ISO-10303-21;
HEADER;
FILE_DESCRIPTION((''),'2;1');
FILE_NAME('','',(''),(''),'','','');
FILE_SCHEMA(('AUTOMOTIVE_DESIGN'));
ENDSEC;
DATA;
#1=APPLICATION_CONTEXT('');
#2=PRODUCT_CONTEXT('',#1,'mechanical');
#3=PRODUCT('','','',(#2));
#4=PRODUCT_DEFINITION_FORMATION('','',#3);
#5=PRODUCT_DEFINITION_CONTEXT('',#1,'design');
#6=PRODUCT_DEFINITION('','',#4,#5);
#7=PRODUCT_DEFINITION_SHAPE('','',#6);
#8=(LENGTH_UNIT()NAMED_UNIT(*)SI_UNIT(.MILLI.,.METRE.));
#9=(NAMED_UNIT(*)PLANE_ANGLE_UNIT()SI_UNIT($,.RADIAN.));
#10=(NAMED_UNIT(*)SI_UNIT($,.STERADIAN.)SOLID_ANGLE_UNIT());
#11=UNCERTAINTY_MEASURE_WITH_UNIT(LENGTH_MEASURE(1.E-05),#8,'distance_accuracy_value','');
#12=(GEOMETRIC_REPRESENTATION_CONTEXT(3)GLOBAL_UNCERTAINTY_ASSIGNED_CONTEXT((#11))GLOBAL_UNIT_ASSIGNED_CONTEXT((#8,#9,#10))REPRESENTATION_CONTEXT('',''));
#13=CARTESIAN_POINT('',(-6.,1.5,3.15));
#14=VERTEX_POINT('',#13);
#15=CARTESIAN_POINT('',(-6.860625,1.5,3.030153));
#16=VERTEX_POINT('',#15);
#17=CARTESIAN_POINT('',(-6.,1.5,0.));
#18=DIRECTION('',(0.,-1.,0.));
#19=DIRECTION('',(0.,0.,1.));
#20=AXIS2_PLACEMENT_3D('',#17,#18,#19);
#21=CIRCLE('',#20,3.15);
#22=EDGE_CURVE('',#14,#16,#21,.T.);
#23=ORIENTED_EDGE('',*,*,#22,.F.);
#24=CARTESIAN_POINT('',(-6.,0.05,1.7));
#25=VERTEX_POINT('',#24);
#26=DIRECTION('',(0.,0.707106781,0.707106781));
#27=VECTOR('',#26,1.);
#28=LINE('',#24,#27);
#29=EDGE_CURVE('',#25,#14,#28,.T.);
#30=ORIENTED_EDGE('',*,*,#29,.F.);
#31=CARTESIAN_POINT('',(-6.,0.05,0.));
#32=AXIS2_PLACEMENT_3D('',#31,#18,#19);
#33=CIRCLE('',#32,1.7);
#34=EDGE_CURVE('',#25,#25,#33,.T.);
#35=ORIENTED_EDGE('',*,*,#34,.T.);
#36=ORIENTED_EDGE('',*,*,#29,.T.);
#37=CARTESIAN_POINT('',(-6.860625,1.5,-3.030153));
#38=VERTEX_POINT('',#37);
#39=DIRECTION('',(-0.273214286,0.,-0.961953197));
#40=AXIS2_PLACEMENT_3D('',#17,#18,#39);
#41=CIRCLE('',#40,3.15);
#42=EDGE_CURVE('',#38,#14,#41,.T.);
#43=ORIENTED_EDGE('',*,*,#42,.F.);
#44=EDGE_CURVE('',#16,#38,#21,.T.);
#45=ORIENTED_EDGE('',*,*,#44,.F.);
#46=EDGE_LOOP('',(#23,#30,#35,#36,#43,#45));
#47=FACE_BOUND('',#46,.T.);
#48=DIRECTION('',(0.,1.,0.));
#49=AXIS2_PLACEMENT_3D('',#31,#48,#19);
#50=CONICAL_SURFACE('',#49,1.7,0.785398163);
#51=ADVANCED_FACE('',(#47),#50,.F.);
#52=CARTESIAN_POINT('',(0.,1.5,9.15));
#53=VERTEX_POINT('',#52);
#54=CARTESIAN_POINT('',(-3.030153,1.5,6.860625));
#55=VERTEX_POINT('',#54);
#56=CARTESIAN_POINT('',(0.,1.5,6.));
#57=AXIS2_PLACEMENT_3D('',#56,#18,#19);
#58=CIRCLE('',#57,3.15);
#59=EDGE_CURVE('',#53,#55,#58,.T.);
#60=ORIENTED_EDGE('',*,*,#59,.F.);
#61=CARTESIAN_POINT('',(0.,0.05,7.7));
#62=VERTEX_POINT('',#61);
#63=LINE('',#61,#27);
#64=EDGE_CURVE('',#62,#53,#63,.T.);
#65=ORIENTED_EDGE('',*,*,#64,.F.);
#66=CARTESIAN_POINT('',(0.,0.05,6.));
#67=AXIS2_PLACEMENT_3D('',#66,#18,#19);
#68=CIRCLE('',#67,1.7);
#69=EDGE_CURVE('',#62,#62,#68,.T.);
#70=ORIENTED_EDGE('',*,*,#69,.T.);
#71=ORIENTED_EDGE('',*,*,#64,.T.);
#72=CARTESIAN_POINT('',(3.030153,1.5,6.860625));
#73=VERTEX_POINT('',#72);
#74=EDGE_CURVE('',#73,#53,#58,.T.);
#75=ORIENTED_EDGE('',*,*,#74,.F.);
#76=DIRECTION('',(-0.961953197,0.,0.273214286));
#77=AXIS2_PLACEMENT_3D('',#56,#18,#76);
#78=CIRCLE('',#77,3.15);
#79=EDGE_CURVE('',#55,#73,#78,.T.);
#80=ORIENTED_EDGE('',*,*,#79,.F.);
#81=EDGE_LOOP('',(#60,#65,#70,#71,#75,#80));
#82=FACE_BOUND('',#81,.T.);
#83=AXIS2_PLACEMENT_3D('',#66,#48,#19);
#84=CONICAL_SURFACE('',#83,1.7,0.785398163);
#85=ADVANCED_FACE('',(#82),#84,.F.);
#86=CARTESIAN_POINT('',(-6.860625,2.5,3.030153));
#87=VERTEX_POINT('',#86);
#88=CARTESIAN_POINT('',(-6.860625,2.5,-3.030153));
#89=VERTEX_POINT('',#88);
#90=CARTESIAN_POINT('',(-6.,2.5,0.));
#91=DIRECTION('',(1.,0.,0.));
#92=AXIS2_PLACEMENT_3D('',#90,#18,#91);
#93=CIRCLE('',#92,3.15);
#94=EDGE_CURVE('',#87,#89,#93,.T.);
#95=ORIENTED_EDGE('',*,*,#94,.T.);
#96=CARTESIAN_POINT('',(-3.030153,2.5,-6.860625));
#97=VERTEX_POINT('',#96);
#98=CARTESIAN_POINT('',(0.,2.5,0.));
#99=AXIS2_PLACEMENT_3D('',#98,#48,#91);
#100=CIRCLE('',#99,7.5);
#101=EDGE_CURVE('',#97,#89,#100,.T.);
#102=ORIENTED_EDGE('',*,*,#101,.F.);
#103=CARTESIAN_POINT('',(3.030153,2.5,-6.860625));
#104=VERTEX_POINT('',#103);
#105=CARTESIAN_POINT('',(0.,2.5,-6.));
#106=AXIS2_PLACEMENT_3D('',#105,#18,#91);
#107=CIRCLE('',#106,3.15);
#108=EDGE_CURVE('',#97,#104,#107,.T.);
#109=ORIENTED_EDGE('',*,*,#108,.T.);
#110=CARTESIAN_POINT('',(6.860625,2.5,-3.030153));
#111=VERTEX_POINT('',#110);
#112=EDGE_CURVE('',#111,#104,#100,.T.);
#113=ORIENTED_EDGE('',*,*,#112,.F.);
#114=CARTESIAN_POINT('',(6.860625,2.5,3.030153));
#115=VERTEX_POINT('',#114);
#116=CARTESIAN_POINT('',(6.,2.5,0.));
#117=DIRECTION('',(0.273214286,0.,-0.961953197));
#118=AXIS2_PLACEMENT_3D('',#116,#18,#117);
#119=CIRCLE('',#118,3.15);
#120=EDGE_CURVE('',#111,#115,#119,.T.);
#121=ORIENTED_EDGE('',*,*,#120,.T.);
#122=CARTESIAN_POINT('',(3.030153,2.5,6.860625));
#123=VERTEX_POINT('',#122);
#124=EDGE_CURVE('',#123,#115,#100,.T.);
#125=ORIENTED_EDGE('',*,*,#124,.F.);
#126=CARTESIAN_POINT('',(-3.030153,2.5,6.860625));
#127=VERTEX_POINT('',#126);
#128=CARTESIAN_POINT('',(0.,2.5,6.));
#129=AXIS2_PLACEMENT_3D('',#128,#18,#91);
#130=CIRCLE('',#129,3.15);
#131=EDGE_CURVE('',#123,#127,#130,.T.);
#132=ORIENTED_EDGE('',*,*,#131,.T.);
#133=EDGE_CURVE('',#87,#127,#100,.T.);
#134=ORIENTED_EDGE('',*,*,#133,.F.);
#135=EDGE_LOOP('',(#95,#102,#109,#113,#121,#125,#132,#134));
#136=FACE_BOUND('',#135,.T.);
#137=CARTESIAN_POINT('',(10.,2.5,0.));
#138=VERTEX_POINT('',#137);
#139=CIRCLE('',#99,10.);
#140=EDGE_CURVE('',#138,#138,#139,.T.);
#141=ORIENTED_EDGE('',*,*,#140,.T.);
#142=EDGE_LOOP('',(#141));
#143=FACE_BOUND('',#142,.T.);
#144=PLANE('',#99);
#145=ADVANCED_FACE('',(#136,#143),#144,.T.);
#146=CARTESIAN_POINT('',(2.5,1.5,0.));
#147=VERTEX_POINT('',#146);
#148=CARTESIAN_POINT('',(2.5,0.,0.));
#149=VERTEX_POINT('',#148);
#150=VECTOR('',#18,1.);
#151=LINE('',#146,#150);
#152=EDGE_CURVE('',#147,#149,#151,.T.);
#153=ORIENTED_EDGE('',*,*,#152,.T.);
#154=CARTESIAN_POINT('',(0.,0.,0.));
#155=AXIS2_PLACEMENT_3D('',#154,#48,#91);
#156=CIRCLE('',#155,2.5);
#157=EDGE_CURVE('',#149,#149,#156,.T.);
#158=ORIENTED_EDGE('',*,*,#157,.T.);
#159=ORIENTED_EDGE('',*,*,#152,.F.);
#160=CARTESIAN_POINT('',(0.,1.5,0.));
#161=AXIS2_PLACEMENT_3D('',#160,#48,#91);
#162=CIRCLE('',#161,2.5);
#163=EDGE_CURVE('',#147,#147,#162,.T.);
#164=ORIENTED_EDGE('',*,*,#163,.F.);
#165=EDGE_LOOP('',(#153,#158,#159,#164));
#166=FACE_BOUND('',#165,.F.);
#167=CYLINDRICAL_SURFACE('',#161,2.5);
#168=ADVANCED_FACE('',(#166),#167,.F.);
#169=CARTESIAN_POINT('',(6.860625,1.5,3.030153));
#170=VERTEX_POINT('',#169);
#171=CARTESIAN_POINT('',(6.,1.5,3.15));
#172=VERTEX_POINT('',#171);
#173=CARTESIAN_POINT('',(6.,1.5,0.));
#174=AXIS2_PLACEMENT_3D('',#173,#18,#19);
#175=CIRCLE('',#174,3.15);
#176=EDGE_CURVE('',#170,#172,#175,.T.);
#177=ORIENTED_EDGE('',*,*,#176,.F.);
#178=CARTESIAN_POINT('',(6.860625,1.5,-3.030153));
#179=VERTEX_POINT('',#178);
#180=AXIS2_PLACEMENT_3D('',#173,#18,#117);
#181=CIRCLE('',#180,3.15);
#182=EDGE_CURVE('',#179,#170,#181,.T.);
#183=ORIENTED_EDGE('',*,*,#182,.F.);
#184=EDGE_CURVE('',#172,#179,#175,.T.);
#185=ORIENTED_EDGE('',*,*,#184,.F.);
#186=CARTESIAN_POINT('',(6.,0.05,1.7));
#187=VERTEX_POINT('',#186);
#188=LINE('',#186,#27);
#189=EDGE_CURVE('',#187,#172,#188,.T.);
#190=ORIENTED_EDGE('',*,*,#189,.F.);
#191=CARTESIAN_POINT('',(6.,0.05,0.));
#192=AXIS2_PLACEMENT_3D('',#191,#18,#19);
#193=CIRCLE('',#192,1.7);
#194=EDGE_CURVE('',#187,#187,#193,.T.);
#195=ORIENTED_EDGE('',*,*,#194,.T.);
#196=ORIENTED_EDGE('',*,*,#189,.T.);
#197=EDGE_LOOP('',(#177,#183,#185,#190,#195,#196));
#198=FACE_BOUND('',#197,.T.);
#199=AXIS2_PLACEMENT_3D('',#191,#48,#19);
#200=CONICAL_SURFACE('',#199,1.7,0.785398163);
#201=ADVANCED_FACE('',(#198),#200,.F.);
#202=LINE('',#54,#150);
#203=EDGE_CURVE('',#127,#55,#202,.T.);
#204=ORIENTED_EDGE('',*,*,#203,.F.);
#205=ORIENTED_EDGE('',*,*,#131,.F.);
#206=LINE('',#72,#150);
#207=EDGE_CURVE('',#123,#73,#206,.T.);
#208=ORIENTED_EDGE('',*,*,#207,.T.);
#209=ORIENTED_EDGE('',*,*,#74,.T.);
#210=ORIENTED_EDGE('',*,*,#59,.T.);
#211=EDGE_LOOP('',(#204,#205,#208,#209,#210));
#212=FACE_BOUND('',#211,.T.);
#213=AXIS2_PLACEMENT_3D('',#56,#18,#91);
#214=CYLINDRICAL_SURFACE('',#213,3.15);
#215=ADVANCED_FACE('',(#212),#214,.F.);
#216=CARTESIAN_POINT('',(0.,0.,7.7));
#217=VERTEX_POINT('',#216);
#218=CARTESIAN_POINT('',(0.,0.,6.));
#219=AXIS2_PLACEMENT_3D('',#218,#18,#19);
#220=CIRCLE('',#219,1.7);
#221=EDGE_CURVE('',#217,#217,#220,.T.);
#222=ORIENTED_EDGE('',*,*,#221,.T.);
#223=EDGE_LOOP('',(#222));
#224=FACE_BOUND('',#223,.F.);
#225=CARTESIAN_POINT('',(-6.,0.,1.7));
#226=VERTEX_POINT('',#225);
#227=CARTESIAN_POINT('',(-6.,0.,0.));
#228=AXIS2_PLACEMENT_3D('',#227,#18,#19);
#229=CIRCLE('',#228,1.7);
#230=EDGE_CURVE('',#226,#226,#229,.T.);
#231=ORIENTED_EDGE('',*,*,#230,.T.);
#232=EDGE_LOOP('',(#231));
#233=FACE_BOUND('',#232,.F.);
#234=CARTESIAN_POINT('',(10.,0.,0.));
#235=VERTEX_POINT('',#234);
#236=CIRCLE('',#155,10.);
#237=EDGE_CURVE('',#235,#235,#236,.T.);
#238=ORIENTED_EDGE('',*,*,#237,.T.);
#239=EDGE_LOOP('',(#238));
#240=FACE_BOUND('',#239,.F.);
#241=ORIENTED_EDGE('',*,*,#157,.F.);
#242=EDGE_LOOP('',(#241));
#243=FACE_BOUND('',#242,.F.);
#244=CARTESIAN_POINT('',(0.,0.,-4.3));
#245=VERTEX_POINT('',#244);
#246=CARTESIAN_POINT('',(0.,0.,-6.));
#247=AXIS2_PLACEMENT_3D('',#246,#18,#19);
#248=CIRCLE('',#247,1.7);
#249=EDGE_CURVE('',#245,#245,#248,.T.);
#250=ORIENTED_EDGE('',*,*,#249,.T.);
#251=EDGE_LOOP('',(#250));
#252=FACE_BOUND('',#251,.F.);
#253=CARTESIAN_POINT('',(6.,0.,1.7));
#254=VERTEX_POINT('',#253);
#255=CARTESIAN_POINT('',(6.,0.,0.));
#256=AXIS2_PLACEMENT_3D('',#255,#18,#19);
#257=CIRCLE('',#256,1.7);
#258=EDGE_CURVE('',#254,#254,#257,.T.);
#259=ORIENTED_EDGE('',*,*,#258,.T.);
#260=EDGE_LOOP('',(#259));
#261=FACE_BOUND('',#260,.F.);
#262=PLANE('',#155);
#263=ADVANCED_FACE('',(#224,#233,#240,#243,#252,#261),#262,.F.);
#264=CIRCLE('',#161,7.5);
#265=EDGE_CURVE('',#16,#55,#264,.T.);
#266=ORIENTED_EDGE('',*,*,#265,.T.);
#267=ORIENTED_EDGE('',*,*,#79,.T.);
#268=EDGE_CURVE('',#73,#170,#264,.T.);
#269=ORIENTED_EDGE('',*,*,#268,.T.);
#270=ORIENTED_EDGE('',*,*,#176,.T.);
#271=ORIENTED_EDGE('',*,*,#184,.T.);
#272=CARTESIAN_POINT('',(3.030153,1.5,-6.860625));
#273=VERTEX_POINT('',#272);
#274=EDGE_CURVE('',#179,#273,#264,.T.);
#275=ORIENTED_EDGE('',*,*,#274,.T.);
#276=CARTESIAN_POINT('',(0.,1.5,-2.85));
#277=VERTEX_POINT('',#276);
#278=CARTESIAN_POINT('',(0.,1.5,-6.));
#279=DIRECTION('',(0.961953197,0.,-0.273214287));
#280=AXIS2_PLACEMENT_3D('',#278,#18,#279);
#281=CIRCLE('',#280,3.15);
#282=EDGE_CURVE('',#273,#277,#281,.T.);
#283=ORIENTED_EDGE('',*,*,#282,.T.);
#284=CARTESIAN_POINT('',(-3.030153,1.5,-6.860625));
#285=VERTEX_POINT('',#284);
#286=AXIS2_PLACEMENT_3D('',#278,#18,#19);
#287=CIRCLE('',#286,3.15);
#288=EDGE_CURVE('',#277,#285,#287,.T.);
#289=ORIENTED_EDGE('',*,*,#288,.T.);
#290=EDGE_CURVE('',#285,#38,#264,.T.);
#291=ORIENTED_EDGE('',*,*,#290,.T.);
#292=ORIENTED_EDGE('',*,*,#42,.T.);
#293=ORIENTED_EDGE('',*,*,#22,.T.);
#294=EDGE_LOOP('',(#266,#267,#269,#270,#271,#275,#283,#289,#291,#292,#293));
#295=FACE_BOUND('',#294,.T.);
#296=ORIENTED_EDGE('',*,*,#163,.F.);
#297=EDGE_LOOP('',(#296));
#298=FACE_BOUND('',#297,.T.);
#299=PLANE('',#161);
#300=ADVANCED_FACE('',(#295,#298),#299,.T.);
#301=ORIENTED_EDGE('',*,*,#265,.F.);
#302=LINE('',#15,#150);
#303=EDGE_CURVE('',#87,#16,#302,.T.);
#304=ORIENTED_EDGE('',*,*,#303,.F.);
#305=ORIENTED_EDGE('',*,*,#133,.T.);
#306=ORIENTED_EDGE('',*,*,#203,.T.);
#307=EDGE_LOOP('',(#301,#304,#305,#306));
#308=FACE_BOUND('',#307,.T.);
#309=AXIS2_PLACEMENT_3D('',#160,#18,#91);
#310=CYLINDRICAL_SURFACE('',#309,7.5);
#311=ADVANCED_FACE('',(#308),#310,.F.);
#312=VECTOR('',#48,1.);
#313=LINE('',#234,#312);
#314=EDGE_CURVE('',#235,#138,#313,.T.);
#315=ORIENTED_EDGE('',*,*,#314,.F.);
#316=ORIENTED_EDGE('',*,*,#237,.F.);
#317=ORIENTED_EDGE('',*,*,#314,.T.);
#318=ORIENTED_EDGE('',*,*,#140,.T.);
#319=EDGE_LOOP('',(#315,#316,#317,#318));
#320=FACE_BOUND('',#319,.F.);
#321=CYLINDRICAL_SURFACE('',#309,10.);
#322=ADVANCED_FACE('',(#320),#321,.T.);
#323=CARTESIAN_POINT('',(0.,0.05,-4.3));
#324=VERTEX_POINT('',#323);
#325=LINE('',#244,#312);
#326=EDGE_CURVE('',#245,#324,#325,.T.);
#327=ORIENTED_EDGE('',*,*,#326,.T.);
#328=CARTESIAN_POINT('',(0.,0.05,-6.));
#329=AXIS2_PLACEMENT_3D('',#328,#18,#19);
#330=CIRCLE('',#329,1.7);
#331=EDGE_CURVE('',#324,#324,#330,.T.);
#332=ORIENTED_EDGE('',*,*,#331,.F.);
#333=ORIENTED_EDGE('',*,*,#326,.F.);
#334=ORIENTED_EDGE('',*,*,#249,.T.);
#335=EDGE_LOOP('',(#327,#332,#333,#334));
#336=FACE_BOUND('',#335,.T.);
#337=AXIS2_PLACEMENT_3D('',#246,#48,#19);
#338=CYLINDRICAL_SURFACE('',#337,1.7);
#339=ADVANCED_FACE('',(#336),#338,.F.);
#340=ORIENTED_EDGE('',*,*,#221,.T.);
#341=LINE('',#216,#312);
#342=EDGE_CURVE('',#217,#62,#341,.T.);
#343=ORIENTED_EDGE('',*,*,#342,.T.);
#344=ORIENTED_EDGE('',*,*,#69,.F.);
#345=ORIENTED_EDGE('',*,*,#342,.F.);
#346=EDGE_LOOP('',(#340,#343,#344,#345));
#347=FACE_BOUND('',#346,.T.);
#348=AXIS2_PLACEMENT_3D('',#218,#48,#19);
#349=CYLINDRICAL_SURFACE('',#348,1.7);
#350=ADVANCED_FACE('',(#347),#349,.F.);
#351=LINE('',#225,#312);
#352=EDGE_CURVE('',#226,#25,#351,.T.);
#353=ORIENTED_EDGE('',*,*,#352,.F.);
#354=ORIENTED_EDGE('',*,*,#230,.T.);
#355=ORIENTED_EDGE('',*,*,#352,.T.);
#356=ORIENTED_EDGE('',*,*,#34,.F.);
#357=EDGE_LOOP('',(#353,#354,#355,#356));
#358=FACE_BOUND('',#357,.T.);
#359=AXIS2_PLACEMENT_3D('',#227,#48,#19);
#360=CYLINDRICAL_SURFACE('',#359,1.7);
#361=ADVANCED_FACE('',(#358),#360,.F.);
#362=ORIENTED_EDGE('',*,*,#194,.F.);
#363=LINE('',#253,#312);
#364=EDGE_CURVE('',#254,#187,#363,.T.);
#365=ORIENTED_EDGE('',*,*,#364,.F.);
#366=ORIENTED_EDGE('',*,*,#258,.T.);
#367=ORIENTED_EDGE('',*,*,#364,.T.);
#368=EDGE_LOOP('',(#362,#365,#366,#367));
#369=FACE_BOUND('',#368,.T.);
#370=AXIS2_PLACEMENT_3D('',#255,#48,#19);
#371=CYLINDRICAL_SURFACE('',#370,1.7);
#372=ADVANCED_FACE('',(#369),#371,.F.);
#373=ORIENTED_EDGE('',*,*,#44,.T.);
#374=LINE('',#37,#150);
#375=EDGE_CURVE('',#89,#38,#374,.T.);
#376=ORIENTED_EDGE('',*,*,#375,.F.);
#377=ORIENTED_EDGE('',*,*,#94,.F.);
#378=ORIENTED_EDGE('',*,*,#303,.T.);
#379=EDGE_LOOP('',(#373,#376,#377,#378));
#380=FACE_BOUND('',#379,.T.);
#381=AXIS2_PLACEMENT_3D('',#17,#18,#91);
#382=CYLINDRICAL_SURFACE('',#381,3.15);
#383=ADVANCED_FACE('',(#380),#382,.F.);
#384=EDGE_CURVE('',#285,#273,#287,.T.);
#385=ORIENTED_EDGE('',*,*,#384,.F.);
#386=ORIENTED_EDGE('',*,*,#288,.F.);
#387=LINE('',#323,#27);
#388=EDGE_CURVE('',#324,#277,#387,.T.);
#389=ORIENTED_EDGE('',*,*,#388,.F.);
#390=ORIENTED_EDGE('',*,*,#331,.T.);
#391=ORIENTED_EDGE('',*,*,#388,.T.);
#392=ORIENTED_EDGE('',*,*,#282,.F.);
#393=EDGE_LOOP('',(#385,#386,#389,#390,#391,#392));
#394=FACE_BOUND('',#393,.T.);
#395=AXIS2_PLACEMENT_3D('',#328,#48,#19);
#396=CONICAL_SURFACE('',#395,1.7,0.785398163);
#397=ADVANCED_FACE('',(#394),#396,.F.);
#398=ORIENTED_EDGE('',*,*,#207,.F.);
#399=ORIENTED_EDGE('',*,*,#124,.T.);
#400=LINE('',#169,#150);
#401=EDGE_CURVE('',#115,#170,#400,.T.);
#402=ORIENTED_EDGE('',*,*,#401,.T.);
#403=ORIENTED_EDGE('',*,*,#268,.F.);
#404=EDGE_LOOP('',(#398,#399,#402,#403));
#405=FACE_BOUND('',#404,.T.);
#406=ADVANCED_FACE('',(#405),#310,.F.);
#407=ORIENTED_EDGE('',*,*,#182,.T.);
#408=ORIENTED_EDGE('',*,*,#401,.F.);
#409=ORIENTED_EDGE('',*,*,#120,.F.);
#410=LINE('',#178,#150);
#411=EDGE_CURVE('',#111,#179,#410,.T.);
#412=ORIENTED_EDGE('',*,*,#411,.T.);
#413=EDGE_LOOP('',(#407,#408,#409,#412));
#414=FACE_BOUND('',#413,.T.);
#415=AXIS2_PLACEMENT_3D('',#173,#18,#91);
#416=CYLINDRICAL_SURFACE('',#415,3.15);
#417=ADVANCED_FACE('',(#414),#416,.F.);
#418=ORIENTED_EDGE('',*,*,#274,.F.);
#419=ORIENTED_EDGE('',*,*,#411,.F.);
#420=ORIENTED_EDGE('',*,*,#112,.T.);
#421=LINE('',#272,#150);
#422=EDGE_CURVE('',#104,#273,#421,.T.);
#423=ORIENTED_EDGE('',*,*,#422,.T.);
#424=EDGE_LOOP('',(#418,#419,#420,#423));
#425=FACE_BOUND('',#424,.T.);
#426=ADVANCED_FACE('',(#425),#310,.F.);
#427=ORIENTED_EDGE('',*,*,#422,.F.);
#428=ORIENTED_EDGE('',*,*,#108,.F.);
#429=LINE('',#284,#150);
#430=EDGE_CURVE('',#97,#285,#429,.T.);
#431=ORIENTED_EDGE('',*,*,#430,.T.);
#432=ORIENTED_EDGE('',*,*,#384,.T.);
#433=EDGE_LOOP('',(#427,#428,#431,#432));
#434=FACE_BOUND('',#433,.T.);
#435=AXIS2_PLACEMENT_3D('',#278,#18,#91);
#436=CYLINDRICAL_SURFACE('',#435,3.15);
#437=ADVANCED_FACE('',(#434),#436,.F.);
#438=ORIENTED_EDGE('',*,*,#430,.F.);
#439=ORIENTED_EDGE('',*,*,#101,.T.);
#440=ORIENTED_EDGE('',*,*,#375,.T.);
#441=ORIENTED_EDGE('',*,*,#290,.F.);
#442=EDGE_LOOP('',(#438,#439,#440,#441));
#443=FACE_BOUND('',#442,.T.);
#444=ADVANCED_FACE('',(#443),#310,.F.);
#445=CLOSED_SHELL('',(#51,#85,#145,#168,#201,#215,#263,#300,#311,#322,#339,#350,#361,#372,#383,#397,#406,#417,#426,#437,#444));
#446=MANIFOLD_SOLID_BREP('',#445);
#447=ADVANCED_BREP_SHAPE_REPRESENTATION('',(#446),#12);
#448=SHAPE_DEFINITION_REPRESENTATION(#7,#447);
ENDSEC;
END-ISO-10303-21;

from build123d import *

# Parameters (mm, degrees)
SKETCH1_R                                    = 10
BOSS_EXTRUDE1_DEPTH                          = 1.5
SKETCH2_R                                    = 10
SKETCH2_R_2                                  = 7.5
BOSS_EXTRUDE2_DEPTH                          = 1
CSK_FOR_M3_COUNTERSUNK_FLAT_HEAD_SCR_2_COUNT = 2
CSK_FOR_M3_COUNTERSUNK_FLAT_HEAD_SCR_2_PITCH = 8.485281374
CSK_FOR_M3_COUNTERSUNK_FLAT_HEAD_SCR_3_COUNT = 2
CSK_FOR_M3_COUNTERSUNK_FLAT_HEAD_SCR_3_PITCH = 12
CSK_FOR_M3_COUNTERSUNK_FLAT_HEAD_SCR_4_COUNT = 2
CSK_FOR_M3_COUNTERSUNK_FLAT_HEAD_SCR_4_PITCH = 8.485281374
SKETCH5_R                                    = 3.15
CUT_EXTRUDE1_DEPTH                           = 21
SKETCH6_R                                    = 2.5
CUT_EXTRUDE2_DEPTH                           = 2
CUT_EXTRUDE2_DEPTH_BACK                      = 2.5


with BuildPart() as part:
    # Sketch1 → Boss-Extrude1 (new body)
    with BuildSketch(Plane(origin=(0, 0, 0), x_dir=(1, 0, 0), z_dir=(0, 1, 0))):
        Circle(SKETCH1_R)
    extrude(amount=BOSS_EXTRUDE1_DEPTH)

    # Sketch2 → Boss-Extrude2 (add)
    with BuildSketch(Plane(origin=(0, 1.5, 0), x_dir=(1, 0, 0), z_dir=(0, 1, 0))):
        Circle(SKETCH2_R)
        Circle(SKETCH2_R_2, mode=Mode.SUBTRACT)
    extrude(amount=BOSS_EXTRUDE2_DEPTH)

    # Sketch4 → CSK for M3 Countersunk Flat Head Screw1 (revolve, cut)
    with BuildSketch(Plane(origin=(-6, 1.5, 0), x_dir=(0, 0, 1), z_dir=(1, 0, 0))):
        Polygon((0, 0), (0, 1.5), (1.7, 1.5), (1.7, 1.45), (3.15, 0), align=None)
    csk_for_m3_countersunk_flat_head_screw1 = revolve(axis=Axis((-6, 7.85, 0), (0, -1, 0)), mode=Mode.SUBTRACT)

    # CSK for M3 Countersunk Flat Head Scr 2: CSK for M3 Countersunk Flat Head Screw1 ×2
    with Locations(*[Vector(0.707106781, 0, -0.707106781) * (i * CSK_FOR_M3_COUNTERSUNK_FLAT_HEAD_SCR_2_PITCH) for i in range(1, CSK_FOR_M3_COUNTERSUNK_FLAT_HEAD_SCR_2_COUNT)]):
        add(csk_for_m3_countersunk_flat_head_screw1, mode=Mode.SUBTRACT)

    # CSK for M3 Countersunk Flat Head Scr 3: CSK for M3 Countersunk Flat Head Screw1 ×2
    with Locations(*[(i * CSK_FOR_M3_COUNTERSUNK_FLAT_HEAD_SCR_3_PITCH, 0, 0) for i in range(1, CSK_FOR_M3_COUNTERSUNK_FLAT_HEAD_SCR_3_COUNT)]):
        add(csk_for_m3_countersunk_flat_head_screw1, mode=Mode.SUBTRACT)

    # CSK for M3 Countersunk Flat Head Scr 4: CSK for M3 Countersunk Flat Head Screw1 ×2
    with Locations(*[Vector(0.707106781, 0, 0.707106781) * (i * CSK_FOR_M3_COUNTERSUNK_FLAT_HEAD_SCR_4_PITCH) for i in range(1, CSK_FOR_M3_COUNTERSUNK_FLAT_HEAD_SCR_4_COUNT)]):
        add(csk_for_m3_countersunk_flat_head_screw1, mode=Mode.SUBTRACT)

    # Sketch5 → Cut-Extrude1 (cut)
    with BuildSketch(Plane(origin=(0, 1.5, 0), x_dir=(1, 0, 0), z_dir=(0, 1, 0))):
        with Locations((6, 0)):
            Circle(SKETCH5_R)
        with Locations((0, -6)):
            Circle(SKETCH5_R)
        with Locations((-6, 0)):
            Circle(SKETCH5_R)
        with Locations((0, 6)):
            Circle(SKETCH5_R)
    extrude(amount=CUT_EXTRUDE1_DEPTH, mode=Mode.SUBTRACT)

    # Sketch6 → Cut-Extrude2 (cut, two sides)
    with BuildSketch(Plane(origin=(0, 1.5, 0), x_dir=(1, 0, 0), z_dir=(0, 1, 0))) as cut_extrude2_sk:
        Circle(SKETCH6_R)
    extrude(amount=CUT_EXTRUDE2_DEPTH, mode=Mode.SUBTRACT)
    extrude(cut_extrude2_sk.sketch, amount=-CUT_EXTRUDE2_DEPTH_BACK, mode=Mode.SUBTRACT)


solid = part.part
